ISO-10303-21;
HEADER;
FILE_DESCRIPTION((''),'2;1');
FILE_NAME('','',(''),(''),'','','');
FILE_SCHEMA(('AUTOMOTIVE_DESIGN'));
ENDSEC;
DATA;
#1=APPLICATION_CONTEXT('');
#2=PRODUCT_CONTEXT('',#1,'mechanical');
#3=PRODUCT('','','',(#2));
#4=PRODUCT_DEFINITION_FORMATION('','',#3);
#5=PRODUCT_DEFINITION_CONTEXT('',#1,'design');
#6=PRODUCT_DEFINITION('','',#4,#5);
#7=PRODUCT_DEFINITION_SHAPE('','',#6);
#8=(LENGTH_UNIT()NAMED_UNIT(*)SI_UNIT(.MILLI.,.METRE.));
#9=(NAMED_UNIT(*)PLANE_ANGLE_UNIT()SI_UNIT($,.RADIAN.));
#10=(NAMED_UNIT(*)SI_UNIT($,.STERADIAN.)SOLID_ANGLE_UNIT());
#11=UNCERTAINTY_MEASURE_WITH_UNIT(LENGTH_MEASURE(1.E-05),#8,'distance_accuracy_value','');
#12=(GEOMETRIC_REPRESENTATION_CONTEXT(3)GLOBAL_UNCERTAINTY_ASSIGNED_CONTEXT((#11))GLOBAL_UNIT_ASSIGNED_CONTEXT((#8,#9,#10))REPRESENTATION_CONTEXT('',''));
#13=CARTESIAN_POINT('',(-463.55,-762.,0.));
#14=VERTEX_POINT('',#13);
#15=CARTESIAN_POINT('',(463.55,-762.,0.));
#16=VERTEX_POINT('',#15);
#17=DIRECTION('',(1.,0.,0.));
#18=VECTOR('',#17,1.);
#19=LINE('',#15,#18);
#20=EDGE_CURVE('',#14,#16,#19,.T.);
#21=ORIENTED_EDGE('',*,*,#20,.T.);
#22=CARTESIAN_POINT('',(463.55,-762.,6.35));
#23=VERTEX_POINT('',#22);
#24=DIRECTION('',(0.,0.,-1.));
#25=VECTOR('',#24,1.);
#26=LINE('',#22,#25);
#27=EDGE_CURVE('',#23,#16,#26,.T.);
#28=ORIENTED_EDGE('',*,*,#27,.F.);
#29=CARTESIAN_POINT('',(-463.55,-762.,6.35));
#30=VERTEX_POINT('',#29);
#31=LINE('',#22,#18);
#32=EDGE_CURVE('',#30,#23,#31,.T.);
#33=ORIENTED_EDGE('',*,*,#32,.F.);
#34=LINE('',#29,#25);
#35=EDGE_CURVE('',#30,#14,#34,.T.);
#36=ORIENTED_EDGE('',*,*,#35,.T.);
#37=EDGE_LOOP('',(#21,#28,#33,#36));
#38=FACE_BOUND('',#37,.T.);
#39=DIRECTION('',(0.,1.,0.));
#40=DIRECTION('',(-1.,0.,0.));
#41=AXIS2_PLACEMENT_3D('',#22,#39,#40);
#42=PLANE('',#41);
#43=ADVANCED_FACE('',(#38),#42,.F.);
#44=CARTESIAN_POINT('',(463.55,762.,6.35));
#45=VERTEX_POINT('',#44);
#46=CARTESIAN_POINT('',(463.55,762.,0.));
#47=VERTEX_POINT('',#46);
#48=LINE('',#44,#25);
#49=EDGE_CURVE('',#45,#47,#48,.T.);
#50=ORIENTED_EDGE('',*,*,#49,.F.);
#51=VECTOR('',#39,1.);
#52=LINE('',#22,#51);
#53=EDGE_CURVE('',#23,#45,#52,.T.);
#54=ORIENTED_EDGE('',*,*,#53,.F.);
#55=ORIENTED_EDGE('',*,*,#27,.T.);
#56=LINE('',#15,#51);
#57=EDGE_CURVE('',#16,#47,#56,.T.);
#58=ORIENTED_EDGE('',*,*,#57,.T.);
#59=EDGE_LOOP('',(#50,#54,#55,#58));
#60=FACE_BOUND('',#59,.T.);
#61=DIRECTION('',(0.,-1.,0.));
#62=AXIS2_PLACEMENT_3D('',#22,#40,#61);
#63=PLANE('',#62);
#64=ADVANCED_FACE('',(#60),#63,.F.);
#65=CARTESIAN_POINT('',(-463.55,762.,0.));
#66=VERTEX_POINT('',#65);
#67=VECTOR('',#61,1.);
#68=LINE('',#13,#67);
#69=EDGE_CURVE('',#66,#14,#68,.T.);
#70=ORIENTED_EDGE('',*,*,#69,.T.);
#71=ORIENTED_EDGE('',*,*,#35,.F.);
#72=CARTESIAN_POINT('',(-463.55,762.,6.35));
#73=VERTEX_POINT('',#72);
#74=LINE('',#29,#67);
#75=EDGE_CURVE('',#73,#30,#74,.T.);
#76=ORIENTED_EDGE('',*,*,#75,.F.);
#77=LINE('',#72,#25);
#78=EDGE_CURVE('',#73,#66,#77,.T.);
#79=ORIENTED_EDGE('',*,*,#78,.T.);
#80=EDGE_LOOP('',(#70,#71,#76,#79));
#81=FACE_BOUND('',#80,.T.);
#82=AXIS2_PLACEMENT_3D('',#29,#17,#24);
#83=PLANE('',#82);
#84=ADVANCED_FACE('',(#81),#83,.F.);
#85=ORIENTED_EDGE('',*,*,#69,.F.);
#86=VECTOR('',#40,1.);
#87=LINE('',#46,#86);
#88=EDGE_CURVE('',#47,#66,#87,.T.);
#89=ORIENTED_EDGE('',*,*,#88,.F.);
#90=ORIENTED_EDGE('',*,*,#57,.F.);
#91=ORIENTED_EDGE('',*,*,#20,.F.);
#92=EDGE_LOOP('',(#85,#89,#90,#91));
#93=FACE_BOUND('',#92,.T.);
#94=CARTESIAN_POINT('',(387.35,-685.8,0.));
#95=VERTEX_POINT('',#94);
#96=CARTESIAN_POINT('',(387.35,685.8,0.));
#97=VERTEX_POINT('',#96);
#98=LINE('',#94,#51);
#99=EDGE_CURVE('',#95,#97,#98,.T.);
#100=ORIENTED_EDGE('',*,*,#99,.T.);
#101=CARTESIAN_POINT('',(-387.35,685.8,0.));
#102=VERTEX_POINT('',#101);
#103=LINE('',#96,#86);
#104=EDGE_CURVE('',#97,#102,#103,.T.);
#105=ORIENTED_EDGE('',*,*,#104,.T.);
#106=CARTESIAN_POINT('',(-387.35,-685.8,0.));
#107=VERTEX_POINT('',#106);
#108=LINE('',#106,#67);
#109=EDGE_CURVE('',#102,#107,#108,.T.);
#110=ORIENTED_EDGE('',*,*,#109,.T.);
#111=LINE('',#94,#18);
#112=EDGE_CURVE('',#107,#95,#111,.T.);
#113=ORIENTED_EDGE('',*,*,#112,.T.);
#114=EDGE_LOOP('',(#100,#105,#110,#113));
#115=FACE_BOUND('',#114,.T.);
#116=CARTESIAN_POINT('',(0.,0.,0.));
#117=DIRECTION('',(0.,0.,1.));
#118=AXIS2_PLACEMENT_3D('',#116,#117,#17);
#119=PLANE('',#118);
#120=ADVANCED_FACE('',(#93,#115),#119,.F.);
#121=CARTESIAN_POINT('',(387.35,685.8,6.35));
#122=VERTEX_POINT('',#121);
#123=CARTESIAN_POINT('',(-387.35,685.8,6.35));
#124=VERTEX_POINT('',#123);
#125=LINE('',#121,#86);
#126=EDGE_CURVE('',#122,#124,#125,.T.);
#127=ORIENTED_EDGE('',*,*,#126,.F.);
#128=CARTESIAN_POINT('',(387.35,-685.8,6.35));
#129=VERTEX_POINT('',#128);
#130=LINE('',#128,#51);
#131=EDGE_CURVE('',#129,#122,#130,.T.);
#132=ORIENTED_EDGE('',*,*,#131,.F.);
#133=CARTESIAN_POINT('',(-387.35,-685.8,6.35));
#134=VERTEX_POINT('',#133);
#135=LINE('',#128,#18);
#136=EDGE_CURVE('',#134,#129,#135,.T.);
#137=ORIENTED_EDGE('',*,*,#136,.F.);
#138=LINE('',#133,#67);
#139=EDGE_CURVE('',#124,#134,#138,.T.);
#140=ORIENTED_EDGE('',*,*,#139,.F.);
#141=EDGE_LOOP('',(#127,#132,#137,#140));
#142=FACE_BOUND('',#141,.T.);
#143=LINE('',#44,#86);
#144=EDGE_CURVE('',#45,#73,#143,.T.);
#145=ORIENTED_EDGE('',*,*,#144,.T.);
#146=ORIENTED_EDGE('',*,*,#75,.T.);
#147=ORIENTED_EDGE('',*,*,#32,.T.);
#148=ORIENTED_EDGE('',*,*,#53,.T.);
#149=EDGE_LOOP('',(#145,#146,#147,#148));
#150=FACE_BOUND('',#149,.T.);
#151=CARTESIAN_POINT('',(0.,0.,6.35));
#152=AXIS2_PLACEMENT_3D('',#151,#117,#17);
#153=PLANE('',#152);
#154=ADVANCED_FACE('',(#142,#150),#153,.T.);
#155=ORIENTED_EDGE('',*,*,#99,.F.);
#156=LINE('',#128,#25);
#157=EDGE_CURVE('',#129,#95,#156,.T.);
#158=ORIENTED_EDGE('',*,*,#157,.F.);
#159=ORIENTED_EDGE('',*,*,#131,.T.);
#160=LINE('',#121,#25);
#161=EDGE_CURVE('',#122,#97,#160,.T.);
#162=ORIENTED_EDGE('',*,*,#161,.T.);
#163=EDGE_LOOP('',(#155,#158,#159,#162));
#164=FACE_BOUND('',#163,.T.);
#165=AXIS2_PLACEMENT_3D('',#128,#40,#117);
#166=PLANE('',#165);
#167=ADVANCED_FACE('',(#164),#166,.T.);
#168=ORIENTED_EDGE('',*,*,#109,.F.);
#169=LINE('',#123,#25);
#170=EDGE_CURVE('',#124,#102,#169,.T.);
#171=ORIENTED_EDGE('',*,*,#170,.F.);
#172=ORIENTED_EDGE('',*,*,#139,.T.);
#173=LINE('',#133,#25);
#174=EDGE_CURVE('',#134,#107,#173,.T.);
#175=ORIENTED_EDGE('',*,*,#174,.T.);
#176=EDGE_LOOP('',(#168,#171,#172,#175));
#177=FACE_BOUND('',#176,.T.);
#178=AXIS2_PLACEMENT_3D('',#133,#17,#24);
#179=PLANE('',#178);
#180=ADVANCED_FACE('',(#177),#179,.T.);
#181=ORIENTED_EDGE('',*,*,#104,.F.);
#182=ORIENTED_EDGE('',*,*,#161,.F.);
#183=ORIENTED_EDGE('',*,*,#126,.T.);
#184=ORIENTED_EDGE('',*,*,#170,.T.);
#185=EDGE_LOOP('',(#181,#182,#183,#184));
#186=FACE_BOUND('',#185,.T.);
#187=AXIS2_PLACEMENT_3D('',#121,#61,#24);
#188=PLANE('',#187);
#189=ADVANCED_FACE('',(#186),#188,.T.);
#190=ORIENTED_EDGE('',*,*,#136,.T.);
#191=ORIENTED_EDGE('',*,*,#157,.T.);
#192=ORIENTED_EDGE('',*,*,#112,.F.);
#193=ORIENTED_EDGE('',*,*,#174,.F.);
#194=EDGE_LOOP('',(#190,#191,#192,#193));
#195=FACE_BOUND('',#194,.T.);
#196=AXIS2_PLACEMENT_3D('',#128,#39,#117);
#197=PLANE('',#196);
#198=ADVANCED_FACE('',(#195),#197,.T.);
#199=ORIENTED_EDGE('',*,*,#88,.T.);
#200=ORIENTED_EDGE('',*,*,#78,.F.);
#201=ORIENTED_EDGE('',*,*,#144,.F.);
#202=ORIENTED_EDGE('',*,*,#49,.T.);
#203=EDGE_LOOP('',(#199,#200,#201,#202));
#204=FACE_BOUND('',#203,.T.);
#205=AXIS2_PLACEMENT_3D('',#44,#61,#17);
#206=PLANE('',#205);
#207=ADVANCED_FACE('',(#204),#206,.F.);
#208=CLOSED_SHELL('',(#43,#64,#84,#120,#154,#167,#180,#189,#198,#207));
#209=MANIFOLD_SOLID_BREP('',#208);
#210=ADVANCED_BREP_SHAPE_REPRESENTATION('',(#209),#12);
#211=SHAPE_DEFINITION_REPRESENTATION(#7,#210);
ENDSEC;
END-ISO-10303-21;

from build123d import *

# Parameters (mm, degrees)
SKETCH2_W           = 927.1
SKETCH2_H           = 1524
SKETCH2_W_2         = 774.7
SKETCH2_H_2         = 1371.6
BOSS_EXTRUDE1_DEPTH = 6.35


with BuildPart() as part:
    # Sketch2 → Boss-Extrude1 (new body)
    with BuildSketch(Plane.XY):
        Rectangle(SKETCH2_W, SKETCH2_H)
        Rectangle(SKETCH2_W_2, SKETCH2_H_2, mode=Mode.SUBTRACT)
    extrude(amount=BOSS_EXTRUDE1_DEPTH)


solid = part.part
